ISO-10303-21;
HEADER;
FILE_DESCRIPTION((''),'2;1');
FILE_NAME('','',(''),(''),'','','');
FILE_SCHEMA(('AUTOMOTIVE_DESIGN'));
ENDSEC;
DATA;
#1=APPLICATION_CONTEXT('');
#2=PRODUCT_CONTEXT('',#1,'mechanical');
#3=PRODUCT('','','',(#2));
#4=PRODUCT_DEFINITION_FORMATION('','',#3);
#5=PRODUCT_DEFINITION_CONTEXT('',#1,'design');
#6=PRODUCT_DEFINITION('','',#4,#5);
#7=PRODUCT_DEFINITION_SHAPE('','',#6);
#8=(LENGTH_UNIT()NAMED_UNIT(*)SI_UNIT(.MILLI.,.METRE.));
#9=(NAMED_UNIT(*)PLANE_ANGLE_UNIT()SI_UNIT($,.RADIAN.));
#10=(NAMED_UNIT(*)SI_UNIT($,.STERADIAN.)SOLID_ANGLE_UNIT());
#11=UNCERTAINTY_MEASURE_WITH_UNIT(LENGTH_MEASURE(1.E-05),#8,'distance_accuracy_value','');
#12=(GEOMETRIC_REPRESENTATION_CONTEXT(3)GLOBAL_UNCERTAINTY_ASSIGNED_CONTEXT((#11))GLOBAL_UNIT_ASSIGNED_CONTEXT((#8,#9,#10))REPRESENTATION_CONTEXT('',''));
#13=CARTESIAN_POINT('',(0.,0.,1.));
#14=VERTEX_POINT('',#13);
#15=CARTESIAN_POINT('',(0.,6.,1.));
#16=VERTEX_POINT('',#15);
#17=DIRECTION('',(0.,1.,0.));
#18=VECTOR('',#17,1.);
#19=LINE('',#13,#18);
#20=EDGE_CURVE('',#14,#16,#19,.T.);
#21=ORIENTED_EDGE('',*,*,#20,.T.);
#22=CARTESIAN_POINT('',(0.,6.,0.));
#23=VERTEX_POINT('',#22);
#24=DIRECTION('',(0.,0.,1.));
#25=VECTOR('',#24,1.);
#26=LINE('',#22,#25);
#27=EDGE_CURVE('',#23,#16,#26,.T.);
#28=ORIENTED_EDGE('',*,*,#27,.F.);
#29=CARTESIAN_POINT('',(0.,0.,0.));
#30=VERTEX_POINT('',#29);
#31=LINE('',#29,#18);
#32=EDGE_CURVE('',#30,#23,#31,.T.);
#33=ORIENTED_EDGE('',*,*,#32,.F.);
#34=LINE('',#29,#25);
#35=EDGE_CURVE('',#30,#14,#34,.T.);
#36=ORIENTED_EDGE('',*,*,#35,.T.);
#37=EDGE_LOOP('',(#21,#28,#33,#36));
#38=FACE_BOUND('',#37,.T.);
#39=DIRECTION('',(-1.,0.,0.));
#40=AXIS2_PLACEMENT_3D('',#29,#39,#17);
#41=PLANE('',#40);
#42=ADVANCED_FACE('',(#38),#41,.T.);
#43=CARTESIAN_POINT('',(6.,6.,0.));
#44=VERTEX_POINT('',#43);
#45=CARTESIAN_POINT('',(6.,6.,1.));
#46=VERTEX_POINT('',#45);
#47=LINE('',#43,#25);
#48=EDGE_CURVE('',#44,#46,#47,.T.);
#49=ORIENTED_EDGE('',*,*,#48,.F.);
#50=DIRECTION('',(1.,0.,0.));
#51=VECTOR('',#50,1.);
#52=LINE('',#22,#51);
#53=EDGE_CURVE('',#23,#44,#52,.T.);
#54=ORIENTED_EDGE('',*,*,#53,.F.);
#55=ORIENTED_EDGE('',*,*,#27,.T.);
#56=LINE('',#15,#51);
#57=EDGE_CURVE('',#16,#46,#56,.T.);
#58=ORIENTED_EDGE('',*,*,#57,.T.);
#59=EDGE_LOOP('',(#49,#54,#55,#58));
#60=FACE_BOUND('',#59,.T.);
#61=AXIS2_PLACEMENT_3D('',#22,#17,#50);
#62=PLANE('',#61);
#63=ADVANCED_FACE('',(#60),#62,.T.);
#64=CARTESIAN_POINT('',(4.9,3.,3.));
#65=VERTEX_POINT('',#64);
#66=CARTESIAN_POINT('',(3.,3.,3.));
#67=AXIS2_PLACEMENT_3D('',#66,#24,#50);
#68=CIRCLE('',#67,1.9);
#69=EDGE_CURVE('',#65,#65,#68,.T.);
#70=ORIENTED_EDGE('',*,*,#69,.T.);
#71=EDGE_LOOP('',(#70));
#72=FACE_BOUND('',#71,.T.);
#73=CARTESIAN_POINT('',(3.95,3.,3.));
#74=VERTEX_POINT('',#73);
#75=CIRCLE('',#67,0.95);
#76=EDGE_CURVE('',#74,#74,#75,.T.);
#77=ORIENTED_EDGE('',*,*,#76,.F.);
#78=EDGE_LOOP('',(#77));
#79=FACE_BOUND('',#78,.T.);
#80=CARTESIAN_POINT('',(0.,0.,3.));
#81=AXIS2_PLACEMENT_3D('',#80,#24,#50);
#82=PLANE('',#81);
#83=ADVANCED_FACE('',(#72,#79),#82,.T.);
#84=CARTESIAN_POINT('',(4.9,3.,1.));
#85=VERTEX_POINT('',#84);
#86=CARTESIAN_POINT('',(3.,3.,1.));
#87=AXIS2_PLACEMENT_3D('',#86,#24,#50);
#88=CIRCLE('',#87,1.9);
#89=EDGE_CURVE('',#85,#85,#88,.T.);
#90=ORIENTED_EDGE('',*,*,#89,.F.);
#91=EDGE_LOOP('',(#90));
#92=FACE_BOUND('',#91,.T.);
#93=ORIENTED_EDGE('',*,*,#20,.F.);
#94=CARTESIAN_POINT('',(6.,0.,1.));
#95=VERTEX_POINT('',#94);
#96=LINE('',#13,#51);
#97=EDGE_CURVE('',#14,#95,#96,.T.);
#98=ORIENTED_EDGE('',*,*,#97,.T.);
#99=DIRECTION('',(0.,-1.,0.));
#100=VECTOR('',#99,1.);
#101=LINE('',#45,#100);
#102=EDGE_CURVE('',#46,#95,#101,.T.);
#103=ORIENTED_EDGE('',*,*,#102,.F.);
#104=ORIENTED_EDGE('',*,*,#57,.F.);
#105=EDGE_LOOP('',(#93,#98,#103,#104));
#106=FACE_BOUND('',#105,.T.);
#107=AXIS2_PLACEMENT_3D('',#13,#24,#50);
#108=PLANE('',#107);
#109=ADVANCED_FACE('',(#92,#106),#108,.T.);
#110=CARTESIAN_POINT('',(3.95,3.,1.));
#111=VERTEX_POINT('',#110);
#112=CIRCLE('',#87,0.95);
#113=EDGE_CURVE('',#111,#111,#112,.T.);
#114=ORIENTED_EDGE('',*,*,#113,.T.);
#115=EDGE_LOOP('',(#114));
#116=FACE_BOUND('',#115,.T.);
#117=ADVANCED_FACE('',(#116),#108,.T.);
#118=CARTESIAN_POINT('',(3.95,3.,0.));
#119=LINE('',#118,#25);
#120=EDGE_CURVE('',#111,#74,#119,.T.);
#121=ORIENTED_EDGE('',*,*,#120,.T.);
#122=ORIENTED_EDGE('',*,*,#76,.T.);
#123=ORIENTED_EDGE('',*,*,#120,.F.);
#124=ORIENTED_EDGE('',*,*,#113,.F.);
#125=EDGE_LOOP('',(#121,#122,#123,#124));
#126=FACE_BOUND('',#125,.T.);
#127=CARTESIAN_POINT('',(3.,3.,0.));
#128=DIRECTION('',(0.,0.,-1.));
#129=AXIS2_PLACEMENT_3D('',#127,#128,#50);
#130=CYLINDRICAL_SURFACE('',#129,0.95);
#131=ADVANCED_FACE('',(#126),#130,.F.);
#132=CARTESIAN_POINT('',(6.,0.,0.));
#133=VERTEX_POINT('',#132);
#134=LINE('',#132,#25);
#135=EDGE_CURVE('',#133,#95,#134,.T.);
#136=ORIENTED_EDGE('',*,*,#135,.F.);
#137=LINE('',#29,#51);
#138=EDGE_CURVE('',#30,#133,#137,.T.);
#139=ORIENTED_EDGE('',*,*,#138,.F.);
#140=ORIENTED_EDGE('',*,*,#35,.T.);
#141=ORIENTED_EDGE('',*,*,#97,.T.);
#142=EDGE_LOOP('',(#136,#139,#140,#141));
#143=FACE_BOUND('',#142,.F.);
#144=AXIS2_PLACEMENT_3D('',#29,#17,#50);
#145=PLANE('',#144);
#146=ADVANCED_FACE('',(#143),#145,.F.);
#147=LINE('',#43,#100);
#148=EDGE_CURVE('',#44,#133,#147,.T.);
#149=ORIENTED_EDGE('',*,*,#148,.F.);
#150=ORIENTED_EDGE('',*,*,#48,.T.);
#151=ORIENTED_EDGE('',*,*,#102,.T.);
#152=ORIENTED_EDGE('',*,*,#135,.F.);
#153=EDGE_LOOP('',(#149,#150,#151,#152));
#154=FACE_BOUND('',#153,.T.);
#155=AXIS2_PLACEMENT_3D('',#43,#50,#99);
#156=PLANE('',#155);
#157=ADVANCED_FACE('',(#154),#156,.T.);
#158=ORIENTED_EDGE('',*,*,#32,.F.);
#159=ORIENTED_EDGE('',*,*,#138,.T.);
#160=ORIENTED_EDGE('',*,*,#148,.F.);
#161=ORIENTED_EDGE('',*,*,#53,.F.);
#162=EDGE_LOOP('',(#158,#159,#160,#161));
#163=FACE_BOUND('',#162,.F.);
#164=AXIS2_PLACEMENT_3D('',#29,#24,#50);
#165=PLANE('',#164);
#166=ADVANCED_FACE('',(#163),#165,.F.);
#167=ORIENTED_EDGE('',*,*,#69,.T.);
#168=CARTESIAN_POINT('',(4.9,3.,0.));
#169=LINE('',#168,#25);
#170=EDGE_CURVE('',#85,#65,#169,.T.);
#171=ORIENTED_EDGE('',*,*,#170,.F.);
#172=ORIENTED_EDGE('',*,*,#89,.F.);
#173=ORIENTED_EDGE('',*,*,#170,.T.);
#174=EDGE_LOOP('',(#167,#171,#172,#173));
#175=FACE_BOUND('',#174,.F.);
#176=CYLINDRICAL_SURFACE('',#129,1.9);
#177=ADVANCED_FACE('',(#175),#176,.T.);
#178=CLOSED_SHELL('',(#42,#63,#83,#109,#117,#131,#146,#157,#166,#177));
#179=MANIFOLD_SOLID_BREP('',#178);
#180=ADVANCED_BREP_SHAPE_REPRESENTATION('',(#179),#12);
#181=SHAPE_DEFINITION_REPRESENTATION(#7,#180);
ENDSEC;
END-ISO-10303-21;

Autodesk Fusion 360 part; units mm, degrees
sketch "Sketch2" plane through (0, 0, 0) normal (0, 0, 1) x (1, 0, 0)
  line L0 (0, 0) -> (6, 0)
  line L1 (0, 0) -> (0, 6)
  line L2 (0, 6) -> (6, 6)
  line L3 (6, 6) -> (6, 0)
  circle A0 centre (3, 3) radius 1.9
  circle A1 centre (3, 3) radius 0.95
  dimension "d11" = 6
  dimension "d12" = 6
  dimension "d13" = 6
  dimension "d15" = 3.8
  dimension "d16" = 1.9
extrude "Extrude4" add sketch "Sketch2" along normal blind 3 contours A0
extrude "Extrude5" add sketch "Sketch2" along normal blind 1 contours L0 L1 L2 L3
extrude "Extrude6" add sketch "Sketch2" along normal blind 1 contours A1
